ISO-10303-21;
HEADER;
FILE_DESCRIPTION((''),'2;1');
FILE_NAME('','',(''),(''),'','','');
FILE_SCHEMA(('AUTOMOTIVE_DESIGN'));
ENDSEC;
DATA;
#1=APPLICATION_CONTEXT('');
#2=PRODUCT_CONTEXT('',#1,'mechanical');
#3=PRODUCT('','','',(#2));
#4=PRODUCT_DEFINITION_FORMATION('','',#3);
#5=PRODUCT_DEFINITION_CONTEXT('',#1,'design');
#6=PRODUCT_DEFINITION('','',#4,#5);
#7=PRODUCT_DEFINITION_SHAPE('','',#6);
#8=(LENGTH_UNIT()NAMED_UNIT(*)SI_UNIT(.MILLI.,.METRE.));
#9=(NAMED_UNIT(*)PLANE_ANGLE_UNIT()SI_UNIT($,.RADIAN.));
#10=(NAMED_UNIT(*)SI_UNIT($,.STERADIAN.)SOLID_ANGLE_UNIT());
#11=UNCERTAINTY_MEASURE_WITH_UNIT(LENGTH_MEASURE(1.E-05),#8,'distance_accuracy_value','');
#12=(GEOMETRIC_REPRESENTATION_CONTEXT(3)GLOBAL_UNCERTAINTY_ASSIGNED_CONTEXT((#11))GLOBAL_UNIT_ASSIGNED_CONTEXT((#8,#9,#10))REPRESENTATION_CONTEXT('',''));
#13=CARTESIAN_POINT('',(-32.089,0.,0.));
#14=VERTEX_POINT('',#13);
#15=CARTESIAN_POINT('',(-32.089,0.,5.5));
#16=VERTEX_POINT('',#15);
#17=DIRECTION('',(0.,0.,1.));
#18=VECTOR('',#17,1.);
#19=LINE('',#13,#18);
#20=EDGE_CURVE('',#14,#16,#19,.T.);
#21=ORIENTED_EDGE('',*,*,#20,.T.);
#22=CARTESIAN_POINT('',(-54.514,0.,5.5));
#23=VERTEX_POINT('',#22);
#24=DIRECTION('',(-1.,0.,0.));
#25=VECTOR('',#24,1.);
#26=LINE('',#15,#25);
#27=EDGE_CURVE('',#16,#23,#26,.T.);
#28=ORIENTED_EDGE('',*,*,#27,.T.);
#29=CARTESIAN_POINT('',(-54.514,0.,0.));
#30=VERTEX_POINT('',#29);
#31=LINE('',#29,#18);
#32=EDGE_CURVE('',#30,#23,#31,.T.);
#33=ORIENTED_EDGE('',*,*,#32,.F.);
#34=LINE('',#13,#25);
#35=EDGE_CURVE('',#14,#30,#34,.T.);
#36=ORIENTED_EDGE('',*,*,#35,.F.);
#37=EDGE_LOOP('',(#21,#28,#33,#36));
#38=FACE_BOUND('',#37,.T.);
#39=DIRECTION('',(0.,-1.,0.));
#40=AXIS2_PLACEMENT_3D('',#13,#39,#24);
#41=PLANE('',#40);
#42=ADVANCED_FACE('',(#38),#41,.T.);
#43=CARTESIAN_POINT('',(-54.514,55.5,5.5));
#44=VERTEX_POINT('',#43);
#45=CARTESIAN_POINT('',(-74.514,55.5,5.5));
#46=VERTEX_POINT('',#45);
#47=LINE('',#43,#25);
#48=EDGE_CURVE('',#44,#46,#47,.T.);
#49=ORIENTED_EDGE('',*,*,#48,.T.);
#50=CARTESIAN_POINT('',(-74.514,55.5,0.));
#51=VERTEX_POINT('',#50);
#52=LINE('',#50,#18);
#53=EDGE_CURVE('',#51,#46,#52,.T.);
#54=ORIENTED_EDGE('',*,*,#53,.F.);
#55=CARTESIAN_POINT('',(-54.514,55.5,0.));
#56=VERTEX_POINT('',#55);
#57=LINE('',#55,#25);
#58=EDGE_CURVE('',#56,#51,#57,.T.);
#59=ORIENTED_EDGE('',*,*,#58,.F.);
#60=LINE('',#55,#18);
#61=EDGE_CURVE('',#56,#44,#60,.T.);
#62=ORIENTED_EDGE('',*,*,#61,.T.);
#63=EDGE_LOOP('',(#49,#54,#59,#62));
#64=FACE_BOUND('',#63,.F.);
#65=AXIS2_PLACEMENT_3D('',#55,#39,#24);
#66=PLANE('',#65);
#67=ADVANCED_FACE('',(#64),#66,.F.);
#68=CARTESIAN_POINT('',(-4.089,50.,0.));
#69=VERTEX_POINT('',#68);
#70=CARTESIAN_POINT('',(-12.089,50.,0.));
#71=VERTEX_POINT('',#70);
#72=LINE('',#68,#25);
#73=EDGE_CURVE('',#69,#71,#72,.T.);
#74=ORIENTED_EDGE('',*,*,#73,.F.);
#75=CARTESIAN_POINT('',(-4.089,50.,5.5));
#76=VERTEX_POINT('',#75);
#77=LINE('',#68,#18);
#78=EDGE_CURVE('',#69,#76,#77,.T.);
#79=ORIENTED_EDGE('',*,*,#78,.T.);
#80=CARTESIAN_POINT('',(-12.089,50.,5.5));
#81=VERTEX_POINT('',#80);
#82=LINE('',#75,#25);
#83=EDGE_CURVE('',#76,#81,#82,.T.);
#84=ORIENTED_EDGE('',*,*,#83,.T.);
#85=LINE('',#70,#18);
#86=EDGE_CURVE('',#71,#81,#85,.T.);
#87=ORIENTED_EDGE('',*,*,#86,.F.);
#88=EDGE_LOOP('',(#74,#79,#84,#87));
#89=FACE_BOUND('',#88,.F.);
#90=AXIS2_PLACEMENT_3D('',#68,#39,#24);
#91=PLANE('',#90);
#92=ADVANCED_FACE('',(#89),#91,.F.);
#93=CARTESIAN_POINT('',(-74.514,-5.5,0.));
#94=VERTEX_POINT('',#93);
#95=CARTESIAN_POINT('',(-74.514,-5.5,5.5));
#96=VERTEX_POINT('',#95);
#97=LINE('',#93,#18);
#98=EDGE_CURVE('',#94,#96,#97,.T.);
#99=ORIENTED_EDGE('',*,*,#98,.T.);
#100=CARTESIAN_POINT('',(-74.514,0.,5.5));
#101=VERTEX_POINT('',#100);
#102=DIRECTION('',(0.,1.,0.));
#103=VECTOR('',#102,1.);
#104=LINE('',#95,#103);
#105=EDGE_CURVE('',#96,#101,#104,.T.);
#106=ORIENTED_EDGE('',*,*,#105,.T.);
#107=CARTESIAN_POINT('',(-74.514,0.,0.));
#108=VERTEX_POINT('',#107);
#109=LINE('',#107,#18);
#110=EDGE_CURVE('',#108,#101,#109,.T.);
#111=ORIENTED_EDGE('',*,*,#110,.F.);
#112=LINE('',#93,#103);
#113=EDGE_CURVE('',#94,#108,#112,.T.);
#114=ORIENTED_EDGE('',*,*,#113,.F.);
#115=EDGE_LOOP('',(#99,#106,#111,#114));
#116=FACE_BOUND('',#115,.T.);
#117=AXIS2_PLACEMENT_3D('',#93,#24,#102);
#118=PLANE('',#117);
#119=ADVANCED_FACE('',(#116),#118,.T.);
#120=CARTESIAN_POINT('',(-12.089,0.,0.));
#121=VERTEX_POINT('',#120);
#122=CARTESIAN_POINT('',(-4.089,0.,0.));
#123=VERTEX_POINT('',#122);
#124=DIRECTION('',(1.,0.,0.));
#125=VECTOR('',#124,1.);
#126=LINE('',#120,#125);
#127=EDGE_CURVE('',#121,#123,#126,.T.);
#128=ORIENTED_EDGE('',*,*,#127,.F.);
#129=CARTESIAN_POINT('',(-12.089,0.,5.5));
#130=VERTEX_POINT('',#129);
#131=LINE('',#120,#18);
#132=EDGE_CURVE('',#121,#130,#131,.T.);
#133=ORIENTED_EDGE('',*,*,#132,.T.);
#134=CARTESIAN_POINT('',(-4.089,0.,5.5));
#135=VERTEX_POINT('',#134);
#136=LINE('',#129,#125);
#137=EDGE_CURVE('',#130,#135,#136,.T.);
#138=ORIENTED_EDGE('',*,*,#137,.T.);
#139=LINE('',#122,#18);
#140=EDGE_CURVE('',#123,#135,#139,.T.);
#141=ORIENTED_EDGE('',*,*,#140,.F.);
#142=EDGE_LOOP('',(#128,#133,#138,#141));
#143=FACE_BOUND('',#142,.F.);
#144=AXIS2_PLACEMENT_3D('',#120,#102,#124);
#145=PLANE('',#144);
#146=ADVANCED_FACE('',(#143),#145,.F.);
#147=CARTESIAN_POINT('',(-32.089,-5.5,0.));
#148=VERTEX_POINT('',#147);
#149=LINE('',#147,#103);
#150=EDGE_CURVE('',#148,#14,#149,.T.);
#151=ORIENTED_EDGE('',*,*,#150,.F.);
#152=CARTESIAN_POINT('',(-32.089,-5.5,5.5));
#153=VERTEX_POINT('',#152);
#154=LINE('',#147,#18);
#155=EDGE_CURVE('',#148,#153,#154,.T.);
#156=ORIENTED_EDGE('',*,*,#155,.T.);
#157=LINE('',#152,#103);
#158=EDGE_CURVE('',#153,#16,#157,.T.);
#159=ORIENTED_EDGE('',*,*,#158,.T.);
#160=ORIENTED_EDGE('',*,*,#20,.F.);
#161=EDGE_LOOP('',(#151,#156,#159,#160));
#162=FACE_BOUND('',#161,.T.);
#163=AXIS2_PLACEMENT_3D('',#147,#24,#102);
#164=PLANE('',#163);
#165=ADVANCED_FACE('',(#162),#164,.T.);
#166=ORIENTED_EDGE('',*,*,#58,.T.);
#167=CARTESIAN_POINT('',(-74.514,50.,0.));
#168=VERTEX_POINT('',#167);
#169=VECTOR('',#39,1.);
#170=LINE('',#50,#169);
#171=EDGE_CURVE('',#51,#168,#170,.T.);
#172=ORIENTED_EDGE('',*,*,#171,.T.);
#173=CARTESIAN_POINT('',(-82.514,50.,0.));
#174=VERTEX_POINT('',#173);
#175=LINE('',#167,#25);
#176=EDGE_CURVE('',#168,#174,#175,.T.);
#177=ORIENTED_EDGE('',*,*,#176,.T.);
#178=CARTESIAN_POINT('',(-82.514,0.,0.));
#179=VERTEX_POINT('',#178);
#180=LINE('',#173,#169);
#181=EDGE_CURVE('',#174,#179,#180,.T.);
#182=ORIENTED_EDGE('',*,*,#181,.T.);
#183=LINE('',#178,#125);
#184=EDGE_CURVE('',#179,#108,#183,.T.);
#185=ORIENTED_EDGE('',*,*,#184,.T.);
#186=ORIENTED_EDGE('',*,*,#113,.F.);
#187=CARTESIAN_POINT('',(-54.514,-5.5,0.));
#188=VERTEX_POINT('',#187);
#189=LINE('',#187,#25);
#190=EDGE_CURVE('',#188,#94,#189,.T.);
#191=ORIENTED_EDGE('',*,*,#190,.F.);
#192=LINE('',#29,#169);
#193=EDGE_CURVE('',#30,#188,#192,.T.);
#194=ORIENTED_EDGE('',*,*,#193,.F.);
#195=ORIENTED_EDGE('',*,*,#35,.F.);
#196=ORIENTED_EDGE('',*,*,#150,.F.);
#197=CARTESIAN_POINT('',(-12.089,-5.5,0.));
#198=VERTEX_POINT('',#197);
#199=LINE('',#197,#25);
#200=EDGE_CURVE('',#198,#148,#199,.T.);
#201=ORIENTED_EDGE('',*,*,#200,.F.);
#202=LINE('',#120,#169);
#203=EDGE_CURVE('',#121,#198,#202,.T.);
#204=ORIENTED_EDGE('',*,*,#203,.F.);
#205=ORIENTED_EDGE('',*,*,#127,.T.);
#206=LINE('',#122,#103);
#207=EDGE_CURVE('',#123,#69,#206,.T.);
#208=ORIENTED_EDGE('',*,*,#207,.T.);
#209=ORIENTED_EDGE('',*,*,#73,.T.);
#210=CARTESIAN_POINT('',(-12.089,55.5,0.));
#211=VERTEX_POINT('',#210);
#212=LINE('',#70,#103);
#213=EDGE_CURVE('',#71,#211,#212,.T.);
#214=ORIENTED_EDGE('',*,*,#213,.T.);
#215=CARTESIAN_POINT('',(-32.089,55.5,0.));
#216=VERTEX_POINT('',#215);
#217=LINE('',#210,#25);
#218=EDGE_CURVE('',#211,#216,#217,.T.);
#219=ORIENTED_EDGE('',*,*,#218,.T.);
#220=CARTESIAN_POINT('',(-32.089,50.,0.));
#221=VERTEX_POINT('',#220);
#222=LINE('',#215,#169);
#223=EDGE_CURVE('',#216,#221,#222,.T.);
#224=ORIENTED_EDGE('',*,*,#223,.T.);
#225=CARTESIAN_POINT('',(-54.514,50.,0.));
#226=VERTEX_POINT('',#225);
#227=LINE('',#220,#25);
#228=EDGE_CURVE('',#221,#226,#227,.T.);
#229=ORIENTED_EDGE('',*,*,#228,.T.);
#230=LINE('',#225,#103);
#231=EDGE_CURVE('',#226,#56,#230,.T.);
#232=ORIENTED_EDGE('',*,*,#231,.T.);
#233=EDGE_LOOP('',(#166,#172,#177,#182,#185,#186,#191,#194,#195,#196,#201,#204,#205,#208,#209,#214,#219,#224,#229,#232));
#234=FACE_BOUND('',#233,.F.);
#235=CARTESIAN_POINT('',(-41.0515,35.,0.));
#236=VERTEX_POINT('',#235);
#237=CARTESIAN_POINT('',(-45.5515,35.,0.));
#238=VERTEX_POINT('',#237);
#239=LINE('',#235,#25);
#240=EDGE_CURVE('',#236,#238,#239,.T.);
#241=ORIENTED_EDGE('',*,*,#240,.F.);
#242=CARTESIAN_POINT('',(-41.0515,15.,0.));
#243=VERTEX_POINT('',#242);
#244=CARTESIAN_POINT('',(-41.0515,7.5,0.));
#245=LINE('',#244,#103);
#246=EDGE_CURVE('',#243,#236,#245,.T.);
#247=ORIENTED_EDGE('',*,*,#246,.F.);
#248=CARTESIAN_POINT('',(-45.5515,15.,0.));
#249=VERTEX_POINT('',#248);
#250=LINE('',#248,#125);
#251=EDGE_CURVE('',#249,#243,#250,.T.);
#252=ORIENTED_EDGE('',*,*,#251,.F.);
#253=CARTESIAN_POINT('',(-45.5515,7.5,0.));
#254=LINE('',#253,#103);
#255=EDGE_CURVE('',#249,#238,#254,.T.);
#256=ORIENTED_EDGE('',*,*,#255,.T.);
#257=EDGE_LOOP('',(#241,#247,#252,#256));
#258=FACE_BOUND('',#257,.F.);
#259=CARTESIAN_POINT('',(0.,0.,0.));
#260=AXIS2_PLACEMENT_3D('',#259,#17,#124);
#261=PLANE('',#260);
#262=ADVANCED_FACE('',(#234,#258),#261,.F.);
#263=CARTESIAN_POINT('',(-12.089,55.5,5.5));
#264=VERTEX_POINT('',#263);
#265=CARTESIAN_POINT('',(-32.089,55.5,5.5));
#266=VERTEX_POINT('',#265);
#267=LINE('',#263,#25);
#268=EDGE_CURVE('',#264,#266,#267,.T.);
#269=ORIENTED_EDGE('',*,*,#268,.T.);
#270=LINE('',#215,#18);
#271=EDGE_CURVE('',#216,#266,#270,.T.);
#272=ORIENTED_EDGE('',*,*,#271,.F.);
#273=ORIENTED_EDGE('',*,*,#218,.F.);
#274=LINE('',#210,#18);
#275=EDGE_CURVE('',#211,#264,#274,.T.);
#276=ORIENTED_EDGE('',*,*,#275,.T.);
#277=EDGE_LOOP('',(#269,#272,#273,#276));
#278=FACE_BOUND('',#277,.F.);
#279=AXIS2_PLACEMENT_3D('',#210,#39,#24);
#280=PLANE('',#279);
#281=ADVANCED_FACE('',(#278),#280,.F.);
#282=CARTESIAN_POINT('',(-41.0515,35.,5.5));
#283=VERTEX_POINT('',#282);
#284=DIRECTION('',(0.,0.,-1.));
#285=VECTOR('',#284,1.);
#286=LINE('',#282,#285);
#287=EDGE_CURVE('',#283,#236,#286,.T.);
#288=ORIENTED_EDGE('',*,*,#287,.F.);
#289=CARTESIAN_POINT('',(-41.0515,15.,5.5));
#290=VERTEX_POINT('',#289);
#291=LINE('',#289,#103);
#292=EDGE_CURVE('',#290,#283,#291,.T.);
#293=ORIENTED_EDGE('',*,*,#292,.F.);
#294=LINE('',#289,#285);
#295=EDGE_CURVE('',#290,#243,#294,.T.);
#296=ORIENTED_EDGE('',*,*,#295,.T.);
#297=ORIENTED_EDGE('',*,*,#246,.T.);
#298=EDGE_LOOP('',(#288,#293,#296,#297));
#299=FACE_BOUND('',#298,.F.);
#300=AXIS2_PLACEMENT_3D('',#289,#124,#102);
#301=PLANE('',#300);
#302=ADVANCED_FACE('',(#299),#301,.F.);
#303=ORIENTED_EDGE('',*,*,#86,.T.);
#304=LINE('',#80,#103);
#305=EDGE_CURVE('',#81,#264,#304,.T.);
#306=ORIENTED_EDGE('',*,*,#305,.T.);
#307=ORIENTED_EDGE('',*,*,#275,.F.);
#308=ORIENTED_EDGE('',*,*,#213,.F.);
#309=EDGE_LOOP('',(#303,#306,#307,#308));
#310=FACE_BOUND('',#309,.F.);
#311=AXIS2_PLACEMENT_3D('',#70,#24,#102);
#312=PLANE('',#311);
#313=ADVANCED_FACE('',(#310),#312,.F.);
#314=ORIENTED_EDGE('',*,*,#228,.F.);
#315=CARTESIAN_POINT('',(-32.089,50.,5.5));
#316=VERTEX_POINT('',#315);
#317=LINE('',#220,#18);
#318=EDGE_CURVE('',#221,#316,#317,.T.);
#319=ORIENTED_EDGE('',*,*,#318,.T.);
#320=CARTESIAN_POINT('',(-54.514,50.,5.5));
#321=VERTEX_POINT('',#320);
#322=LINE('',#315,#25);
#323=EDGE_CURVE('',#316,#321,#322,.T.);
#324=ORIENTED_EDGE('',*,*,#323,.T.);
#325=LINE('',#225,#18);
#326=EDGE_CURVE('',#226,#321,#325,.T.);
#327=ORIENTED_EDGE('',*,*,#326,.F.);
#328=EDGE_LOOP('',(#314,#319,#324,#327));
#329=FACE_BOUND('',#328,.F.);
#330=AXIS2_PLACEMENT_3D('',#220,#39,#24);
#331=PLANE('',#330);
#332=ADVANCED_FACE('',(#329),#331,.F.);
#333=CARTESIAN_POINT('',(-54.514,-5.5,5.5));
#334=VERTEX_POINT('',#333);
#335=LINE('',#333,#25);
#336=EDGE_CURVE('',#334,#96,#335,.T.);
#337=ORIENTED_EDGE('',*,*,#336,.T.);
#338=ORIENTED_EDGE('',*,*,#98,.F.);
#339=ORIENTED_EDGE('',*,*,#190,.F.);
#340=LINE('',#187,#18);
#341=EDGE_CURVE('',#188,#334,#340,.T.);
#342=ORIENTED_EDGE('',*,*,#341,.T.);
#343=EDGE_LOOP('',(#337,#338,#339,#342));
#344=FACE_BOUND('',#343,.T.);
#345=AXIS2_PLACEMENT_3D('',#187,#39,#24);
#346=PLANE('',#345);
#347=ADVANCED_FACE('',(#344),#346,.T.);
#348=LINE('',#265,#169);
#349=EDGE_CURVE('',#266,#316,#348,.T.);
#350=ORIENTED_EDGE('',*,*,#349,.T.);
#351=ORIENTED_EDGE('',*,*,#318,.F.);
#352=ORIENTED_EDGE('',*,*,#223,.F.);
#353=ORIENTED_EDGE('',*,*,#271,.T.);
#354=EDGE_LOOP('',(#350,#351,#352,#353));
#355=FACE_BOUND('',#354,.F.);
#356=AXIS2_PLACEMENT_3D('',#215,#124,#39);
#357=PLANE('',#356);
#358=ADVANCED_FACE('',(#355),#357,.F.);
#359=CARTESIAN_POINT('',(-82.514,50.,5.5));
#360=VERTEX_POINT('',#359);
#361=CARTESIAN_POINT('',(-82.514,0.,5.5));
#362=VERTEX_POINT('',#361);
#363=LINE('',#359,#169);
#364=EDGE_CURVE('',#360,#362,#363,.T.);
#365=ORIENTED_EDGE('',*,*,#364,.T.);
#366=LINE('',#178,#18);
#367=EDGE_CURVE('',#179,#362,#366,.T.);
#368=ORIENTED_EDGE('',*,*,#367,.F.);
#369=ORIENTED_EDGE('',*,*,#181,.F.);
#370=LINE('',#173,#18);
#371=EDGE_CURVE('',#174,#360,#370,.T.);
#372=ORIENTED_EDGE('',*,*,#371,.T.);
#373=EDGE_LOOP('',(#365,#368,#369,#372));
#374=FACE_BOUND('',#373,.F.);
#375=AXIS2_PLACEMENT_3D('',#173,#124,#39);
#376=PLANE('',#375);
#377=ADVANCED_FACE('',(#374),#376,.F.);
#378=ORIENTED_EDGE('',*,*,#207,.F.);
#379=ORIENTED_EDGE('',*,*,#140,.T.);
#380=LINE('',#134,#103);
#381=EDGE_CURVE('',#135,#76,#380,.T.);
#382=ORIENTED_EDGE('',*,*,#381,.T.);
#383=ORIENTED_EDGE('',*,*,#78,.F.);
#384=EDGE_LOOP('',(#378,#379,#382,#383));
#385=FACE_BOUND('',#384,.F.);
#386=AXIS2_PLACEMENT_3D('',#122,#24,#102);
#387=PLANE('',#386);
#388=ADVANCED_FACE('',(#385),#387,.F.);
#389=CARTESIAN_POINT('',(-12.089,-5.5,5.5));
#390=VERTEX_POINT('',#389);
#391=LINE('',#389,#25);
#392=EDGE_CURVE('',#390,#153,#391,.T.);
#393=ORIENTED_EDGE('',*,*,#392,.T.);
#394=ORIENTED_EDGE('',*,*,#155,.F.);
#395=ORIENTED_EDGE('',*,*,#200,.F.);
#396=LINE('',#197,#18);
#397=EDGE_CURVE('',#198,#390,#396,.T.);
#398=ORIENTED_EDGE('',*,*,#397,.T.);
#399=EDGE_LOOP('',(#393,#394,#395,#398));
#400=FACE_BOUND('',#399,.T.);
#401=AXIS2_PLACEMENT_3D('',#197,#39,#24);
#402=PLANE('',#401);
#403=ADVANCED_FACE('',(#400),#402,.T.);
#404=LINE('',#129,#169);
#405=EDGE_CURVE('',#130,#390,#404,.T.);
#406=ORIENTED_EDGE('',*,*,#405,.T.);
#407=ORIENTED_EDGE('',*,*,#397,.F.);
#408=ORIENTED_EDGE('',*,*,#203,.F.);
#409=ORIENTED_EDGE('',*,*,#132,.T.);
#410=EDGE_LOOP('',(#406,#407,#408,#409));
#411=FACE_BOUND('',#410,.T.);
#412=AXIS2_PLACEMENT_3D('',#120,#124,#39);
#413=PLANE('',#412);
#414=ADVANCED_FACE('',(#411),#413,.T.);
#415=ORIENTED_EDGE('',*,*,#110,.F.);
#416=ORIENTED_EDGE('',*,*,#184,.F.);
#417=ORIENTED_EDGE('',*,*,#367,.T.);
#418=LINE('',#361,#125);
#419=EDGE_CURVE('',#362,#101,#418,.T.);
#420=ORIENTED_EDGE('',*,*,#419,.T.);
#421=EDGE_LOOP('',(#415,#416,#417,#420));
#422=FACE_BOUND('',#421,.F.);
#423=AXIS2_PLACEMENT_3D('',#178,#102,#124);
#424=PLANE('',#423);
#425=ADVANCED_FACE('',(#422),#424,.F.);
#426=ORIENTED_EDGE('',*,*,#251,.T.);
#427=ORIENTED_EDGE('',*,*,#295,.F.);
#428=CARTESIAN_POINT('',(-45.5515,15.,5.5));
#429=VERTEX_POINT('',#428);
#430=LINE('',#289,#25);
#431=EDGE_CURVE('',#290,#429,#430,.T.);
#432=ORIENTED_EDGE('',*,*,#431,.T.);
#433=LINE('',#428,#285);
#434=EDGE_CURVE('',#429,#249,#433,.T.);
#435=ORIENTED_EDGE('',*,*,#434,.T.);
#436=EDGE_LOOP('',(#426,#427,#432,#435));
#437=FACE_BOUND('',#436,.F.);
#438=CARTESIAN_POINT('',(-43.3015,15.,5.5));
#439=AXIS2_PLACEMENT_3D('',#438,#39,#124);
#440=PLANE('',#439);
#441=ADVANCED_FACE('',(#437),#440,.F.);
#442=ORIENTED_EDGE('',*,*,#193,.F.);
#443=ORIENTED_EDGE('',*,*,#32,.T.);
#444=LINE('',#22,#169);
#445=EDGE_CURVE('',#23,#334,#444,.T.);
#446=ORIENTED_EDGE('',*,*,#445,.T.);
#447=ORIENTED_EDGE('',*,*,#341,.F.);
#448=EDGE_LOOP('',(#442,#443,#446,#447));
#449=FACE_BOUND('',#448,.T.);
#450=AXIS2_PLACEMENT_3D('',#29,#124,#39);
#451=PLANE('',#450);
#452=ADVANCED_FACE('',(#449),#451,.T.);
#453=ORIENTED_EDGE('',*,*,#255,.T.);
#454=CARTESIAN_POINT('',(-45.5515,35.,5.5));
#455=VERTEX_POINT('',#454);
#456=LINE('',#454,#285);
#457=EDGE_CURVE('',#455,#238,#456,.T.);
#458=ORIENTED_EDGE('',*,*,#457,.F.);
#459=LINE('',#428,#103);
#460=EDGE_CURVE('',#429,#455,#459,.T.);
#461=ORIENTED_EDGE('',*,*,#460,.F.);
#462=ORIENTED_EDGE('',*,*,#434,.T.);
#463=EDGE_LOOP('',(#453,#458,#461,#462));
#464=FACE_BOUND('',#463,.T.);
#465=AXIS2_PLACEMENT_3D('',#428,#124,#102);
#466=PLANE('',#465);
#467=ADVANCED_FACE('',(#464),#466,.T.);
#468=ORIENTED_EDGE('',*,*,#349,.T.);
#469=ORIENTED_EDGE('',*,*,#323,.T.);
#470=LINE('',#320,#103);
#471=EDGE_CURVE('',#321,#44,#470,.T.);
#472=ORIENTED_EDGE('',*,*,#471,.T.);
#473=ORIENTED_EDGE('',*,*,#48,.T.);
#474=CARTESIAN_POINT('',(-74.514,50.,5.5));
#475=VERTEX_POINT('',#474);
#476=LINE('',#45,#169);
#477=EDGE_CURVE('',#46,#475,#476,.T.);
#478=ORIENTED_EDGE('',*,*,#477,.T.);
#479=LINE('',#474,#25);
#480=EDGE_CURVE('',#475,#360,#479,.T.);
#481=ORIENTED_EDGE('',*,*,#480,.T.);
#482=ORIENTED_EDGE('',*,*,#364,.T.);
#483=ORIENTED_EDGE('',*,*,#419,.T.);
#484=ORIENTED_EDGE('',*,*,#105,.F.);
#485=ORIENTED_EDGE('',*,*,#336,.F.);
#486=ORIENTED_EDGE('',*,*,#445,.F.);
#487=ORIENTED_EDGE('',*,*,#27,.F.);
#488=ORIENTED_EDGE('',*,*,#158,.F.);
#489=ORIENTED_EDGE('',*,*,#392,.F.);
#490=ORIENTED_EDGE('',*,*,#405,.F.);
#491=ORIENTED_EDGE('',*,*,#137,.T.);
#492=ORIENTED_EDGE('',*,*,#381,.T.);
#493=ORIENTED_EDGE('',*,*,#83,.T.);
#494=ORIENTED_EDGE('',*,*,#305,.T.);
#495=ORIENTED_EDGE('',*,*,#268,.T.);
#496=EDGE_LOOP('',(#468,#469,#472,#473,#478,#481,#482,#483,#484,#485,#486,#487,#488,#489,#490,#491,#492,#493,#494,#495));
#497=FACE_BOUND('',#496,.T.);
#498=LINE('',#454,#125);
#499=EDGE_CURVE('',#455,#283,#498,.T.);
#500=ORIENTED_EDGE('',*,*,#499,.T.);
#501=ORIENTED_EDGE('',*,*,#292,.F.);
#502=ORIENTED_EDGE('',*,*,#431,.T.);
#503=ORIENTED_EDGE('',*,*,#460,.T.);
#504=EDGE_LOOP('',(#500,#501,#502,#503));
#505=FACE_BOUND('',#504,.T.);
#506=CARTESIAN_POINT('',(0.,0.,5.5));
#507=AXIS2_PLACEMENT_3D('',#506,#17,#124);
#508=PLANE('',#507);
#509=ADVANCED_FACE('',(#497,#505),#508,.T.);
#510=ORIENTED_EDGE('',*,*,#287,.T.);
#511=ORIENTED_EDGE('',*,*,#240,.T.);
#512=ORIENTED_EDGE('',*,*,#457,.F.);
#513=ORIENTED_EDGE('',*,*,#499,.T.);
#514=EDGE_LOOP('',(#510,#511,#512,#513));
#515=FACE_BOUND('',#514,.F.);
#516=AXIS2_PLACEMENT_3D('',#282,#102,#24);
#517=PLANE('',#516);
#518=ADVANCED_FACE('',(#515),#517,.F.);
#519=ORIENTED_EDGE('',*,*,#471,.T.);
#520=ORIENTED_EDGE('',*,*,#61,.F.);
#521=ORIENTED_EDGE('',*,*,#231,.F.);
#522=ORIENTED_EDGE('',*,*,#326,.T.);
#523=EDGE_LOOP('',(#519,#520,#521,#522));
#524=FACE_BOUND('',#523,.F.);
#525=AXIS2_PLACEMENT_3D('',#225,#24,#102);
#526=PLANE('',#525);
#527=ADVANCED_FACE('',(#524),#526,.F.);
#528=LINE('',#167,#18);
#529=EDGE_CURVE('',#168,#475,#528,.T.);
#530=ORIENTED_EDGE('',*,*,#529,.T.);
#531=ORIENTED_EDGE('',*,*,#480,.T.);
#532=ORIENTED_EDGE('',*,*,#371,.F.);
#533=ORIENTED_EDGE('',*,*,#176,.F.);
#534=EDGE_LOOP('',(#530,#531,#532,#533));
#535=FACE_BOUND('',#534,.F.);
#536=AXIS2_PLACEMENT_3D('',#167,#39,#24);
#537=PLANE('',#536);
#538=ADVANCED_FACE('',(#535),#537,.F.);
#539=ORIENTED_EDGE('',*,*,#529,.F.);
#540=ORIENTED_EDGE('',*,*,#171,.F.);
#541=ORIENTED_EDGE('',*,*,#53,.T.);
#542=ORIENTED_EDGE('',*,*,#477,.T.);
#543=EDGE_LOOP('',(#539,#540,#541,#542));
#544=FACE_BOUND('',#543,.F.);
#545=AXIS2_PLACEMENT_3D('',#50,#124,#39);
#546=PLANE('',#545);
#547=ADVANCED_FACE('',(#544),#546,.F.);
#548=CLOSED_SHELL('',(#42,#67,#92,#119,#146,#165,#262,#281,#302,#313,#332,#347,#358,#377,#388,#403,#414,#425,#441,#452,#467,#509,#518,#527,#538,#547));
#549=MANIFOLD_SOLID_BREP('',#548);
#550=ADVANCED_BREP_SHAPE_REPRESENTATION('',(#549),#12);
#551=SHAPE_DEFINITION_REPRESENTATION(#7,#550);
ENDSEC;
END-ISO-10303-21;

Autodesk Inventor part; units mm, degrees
ref_plane "YZ Plane" through (0, 0, 0) normal (1, 0, 0) x (0, 1, 0)
ref_plane "XZ Plane" through (0, 0, 0) normal (0, 1, 0) x (-1, 0, 0)
ref_plane "XY Plane" through (0, 0, 0) normal (0, 0, 1) x (1, 0, 0)
sketch "Sketch1" plane through (0, 0, 0) normal (0, 0, 1) x (1, 0, 0)
  line L0 (-12.089, 0) -> (-12.089, -5.5)
  line L1 (-12.089, -5.5) -> (-32.089, -5.5)
  line L2 (-32.089, -5.5) -> (-32.089, 0)
  line L3 (-54.514, 0) -> (-54.514, -5.5)
  line L4 (-54.514, -5.5) -> (-74.514, -5.5)
  line L5 (-74.514, -5.5) -> (-74.514, 0)
  line L6 (-32.089, 0) -> (-54.514, 0)
  line L7 (-12.089, 50) -> (-12.089, 55.5)
  line L8 (-12.089, 55.5) -> (-32.089, 55.5)
  line L9 (-32.089, 55.5) -> (-32.089, 50)
  line L10 (-54.514, 50) -> (-54.514, 55.5)
  line L11 (-54.514, 55.5) -> (-74.514, 55.5)
  line L12 (-74.514, 55.5) -> (-74.514, 50)
  line L13 (-32.089, 50) -> (-54.514, 50)
  line L14 (-12.089, 0) -> (-4.089, 0)
  line L15 (-4.089, 0) -> (-4.089, 50)
  line L16 (-4.089, 50) -> (-12.089, 50)
  line L17 (-74.514, 50) -> (-82.514, 50)
  line L18 (-82.514, 50) -> (-82.514, 0)
  line L19 (-82.514, 0) -> (-74.514, 0)
  dimension "d2" = 5.5
  dimension "d3" = 20
  dimension "d4" = 5.5
  dimension "d5" = 20
  dimension "d6" = 90
  dimension "d18" = 8
  dimension "d20" = 8
extrude "Extrusion1" add sketch "Sketch1" along normal blind 5.5
sketch "Sketch2" plane through (0, 0, 5.5) normal (0, 0, 1) x (1, 0, 0)
  line L0 (-43.3015, 15) -> (-45.5515, 15)
  line L1 (-45.5515, 15) -> (-45.5515, 35)
  line L2 (-45.5515, 35) -> (-43.3015, 35)
  line L3 (-43.3015, 15) -> (-41.0515, 15)
  line L4 (-41.0515, 15) -> (-41.0515, 35)
  line L5 (-41.0515, 35) -> (-43.3015, 35)
  point P0 (0, 0)
extrude "Extrusion2" cut sketch "Sketch2" against normal blind 10
properties part number "lado"
